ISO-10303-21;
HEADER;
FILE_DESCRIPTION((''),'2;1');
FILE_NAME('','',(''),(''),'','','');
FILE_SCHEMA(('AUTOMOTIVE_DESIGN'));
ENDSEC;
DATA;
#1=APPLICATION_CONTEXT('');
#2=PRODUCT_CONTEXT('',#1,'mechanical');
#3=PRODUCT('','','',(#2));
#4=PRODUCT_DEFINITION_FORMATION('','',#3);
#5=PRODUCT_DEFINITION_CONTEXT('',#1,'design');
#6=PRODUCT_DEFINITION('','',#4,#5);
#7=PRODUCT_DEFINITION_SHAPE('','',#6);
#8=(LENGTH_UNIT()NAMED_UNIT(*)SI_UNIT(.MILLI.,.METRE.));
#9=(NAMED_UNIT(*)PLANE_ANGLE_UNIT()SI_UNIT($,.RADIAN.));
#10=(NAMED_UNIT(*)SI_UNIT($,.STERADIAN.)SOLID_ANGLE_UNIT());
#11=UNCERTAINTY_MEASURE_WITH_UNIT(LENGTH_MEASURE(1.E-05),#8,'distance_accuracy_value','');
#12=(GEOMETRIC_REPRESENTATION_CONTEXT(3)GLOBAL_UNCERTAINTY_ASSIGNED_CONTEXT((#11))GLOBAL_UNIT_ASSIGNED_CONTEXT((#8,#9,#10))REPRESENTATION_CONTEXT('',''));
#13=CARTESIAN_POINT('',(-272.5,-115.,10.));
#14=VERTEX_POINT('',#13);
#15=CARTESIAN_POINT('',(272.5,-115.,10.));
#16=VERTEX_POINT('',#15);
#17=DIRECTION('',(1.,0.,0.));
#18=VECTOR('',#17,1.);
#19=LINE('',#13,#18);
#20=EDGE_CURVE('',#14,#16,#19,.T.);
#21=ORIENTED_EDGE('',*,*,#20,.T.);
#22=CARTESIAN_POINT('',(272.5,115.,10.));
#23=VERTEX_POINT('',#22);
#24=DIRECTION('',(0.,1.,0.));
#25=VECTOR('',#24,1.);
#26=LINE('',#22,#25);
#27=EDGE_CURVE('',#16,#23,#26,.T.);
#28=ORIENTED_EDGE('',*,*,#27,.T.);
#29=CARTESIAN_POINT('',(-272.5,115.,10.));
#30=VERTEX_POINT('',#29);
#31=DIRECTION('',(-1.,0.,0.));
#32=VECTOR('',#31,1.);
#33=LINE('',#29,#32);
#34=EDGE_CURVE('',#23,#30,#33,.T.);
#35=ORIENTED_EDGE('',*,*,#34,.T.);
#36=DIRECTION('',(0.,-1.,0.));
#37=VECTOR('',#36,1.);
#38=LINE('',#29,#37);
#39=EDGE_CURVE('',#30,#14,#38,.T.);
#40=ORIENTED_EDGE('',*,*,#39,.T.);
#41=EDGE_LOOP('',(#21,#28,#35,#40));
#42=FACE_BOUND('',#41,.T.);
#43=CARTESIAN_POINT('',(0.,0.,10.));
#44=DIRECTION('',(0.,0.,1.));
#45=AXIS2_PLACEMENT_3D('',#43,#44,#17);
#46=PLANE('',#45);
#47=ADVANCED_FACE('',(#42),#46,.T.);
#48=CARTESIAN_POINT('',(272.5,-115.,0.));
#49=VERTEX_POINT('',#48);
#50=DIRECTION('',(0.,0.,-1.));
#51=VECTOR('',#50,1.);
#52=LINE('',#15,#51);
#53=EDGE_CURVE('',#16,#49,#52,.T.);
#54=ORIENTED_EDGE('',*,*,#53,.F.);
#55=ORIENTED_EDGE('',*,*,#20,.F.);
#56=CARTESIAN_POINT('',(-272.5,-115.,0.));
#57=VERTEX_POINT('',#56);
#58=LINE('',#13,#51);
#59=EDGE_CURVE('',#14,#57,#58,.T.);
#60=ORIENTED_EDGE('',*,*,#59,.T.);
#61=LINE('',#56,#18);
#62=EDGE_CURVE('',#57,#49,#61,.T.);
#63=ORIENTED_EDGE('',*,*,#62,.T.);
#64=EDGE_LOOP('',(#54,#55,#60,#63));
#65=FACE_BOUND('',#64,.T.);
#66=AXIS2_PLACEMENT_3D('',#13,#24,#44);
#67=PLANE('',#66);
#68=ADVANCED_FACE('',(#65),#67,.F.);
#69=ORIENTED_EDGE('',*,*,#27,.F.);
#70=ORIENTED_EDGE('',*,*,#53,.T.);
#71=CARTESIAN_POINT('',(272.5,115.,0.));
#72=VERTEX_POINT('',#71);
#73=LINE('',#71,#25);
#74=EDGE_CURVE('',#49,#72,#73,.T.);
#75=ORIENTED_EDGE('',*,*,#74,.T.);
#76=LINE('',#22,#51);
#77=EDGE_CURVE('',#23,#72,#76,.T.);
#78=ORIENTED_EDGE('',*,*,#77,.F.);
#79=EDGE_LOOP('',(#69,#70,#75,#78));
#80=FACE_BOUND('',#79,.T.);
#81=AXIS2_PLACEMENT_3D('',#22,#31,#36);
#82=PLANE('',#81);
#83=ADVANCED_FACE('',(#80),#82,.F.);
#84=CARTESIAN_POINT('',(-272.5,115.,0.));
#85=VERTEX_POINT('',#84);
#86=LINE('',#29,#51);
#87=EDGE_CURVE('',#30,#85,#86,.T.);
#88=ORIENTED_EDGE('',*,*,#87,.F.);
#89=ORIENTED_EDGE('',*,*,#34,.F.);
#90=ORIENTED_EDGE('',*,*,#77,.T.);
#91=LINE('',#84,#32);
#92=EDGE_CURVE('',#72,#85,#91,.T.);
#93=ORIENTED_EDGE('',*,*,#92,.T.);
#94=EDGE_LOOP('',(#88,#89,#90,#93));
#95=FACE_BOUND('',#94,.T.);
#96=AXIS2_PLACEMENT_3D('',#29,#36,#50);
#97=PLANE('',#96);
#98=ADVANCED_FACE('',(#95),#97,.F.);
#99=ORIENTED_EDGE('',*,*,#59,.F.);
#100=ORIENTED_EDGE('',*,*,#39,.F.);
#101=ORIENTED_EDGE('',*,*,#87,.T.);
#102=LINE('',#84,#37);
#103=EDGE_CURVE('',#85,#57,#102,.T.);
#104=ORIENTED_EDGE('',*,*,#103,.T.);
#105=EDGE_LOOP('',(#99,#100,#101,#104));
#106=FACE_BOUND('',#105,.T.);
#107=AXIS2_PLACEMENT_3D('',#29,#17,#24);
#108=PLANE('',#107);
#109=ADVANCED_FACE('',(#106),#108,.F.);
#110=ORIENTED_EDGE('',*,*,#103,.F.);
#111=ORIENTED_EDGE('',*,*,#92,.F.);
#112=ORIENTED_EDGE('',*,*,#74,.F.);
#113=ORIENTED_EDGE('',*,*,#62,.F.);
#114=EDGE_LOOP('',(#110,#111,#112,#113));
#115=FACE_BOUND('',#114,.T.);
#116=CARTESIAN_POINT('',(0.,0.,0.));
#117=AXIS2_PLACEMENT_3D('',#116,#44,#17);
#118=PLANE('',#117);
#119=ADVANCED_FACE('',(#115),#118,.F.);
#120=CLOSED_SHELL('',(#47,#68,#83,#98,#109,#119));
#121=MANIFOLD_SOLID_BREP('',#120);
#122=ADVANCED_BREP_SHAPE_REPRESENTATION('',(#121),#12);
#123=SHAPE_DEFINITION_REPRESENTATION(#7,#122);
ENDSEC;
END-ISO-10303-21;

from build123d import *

# Parameters (mm, degrees)
SKETCH_1_W      = 545
SKETCH_1_H      = 230
EXTRUDE_1_DEPTH = 10


with BuildPart() as part:
    # 草图1 → 凸台-拉伸1 (new body)
    with BuildSketch(Plane.XY):
        Rectangle(SKETCH_1_W, SKETCH_1_H)
    extrude(amount=EXTRUDE_1_DEPTH)


solid = part.part
